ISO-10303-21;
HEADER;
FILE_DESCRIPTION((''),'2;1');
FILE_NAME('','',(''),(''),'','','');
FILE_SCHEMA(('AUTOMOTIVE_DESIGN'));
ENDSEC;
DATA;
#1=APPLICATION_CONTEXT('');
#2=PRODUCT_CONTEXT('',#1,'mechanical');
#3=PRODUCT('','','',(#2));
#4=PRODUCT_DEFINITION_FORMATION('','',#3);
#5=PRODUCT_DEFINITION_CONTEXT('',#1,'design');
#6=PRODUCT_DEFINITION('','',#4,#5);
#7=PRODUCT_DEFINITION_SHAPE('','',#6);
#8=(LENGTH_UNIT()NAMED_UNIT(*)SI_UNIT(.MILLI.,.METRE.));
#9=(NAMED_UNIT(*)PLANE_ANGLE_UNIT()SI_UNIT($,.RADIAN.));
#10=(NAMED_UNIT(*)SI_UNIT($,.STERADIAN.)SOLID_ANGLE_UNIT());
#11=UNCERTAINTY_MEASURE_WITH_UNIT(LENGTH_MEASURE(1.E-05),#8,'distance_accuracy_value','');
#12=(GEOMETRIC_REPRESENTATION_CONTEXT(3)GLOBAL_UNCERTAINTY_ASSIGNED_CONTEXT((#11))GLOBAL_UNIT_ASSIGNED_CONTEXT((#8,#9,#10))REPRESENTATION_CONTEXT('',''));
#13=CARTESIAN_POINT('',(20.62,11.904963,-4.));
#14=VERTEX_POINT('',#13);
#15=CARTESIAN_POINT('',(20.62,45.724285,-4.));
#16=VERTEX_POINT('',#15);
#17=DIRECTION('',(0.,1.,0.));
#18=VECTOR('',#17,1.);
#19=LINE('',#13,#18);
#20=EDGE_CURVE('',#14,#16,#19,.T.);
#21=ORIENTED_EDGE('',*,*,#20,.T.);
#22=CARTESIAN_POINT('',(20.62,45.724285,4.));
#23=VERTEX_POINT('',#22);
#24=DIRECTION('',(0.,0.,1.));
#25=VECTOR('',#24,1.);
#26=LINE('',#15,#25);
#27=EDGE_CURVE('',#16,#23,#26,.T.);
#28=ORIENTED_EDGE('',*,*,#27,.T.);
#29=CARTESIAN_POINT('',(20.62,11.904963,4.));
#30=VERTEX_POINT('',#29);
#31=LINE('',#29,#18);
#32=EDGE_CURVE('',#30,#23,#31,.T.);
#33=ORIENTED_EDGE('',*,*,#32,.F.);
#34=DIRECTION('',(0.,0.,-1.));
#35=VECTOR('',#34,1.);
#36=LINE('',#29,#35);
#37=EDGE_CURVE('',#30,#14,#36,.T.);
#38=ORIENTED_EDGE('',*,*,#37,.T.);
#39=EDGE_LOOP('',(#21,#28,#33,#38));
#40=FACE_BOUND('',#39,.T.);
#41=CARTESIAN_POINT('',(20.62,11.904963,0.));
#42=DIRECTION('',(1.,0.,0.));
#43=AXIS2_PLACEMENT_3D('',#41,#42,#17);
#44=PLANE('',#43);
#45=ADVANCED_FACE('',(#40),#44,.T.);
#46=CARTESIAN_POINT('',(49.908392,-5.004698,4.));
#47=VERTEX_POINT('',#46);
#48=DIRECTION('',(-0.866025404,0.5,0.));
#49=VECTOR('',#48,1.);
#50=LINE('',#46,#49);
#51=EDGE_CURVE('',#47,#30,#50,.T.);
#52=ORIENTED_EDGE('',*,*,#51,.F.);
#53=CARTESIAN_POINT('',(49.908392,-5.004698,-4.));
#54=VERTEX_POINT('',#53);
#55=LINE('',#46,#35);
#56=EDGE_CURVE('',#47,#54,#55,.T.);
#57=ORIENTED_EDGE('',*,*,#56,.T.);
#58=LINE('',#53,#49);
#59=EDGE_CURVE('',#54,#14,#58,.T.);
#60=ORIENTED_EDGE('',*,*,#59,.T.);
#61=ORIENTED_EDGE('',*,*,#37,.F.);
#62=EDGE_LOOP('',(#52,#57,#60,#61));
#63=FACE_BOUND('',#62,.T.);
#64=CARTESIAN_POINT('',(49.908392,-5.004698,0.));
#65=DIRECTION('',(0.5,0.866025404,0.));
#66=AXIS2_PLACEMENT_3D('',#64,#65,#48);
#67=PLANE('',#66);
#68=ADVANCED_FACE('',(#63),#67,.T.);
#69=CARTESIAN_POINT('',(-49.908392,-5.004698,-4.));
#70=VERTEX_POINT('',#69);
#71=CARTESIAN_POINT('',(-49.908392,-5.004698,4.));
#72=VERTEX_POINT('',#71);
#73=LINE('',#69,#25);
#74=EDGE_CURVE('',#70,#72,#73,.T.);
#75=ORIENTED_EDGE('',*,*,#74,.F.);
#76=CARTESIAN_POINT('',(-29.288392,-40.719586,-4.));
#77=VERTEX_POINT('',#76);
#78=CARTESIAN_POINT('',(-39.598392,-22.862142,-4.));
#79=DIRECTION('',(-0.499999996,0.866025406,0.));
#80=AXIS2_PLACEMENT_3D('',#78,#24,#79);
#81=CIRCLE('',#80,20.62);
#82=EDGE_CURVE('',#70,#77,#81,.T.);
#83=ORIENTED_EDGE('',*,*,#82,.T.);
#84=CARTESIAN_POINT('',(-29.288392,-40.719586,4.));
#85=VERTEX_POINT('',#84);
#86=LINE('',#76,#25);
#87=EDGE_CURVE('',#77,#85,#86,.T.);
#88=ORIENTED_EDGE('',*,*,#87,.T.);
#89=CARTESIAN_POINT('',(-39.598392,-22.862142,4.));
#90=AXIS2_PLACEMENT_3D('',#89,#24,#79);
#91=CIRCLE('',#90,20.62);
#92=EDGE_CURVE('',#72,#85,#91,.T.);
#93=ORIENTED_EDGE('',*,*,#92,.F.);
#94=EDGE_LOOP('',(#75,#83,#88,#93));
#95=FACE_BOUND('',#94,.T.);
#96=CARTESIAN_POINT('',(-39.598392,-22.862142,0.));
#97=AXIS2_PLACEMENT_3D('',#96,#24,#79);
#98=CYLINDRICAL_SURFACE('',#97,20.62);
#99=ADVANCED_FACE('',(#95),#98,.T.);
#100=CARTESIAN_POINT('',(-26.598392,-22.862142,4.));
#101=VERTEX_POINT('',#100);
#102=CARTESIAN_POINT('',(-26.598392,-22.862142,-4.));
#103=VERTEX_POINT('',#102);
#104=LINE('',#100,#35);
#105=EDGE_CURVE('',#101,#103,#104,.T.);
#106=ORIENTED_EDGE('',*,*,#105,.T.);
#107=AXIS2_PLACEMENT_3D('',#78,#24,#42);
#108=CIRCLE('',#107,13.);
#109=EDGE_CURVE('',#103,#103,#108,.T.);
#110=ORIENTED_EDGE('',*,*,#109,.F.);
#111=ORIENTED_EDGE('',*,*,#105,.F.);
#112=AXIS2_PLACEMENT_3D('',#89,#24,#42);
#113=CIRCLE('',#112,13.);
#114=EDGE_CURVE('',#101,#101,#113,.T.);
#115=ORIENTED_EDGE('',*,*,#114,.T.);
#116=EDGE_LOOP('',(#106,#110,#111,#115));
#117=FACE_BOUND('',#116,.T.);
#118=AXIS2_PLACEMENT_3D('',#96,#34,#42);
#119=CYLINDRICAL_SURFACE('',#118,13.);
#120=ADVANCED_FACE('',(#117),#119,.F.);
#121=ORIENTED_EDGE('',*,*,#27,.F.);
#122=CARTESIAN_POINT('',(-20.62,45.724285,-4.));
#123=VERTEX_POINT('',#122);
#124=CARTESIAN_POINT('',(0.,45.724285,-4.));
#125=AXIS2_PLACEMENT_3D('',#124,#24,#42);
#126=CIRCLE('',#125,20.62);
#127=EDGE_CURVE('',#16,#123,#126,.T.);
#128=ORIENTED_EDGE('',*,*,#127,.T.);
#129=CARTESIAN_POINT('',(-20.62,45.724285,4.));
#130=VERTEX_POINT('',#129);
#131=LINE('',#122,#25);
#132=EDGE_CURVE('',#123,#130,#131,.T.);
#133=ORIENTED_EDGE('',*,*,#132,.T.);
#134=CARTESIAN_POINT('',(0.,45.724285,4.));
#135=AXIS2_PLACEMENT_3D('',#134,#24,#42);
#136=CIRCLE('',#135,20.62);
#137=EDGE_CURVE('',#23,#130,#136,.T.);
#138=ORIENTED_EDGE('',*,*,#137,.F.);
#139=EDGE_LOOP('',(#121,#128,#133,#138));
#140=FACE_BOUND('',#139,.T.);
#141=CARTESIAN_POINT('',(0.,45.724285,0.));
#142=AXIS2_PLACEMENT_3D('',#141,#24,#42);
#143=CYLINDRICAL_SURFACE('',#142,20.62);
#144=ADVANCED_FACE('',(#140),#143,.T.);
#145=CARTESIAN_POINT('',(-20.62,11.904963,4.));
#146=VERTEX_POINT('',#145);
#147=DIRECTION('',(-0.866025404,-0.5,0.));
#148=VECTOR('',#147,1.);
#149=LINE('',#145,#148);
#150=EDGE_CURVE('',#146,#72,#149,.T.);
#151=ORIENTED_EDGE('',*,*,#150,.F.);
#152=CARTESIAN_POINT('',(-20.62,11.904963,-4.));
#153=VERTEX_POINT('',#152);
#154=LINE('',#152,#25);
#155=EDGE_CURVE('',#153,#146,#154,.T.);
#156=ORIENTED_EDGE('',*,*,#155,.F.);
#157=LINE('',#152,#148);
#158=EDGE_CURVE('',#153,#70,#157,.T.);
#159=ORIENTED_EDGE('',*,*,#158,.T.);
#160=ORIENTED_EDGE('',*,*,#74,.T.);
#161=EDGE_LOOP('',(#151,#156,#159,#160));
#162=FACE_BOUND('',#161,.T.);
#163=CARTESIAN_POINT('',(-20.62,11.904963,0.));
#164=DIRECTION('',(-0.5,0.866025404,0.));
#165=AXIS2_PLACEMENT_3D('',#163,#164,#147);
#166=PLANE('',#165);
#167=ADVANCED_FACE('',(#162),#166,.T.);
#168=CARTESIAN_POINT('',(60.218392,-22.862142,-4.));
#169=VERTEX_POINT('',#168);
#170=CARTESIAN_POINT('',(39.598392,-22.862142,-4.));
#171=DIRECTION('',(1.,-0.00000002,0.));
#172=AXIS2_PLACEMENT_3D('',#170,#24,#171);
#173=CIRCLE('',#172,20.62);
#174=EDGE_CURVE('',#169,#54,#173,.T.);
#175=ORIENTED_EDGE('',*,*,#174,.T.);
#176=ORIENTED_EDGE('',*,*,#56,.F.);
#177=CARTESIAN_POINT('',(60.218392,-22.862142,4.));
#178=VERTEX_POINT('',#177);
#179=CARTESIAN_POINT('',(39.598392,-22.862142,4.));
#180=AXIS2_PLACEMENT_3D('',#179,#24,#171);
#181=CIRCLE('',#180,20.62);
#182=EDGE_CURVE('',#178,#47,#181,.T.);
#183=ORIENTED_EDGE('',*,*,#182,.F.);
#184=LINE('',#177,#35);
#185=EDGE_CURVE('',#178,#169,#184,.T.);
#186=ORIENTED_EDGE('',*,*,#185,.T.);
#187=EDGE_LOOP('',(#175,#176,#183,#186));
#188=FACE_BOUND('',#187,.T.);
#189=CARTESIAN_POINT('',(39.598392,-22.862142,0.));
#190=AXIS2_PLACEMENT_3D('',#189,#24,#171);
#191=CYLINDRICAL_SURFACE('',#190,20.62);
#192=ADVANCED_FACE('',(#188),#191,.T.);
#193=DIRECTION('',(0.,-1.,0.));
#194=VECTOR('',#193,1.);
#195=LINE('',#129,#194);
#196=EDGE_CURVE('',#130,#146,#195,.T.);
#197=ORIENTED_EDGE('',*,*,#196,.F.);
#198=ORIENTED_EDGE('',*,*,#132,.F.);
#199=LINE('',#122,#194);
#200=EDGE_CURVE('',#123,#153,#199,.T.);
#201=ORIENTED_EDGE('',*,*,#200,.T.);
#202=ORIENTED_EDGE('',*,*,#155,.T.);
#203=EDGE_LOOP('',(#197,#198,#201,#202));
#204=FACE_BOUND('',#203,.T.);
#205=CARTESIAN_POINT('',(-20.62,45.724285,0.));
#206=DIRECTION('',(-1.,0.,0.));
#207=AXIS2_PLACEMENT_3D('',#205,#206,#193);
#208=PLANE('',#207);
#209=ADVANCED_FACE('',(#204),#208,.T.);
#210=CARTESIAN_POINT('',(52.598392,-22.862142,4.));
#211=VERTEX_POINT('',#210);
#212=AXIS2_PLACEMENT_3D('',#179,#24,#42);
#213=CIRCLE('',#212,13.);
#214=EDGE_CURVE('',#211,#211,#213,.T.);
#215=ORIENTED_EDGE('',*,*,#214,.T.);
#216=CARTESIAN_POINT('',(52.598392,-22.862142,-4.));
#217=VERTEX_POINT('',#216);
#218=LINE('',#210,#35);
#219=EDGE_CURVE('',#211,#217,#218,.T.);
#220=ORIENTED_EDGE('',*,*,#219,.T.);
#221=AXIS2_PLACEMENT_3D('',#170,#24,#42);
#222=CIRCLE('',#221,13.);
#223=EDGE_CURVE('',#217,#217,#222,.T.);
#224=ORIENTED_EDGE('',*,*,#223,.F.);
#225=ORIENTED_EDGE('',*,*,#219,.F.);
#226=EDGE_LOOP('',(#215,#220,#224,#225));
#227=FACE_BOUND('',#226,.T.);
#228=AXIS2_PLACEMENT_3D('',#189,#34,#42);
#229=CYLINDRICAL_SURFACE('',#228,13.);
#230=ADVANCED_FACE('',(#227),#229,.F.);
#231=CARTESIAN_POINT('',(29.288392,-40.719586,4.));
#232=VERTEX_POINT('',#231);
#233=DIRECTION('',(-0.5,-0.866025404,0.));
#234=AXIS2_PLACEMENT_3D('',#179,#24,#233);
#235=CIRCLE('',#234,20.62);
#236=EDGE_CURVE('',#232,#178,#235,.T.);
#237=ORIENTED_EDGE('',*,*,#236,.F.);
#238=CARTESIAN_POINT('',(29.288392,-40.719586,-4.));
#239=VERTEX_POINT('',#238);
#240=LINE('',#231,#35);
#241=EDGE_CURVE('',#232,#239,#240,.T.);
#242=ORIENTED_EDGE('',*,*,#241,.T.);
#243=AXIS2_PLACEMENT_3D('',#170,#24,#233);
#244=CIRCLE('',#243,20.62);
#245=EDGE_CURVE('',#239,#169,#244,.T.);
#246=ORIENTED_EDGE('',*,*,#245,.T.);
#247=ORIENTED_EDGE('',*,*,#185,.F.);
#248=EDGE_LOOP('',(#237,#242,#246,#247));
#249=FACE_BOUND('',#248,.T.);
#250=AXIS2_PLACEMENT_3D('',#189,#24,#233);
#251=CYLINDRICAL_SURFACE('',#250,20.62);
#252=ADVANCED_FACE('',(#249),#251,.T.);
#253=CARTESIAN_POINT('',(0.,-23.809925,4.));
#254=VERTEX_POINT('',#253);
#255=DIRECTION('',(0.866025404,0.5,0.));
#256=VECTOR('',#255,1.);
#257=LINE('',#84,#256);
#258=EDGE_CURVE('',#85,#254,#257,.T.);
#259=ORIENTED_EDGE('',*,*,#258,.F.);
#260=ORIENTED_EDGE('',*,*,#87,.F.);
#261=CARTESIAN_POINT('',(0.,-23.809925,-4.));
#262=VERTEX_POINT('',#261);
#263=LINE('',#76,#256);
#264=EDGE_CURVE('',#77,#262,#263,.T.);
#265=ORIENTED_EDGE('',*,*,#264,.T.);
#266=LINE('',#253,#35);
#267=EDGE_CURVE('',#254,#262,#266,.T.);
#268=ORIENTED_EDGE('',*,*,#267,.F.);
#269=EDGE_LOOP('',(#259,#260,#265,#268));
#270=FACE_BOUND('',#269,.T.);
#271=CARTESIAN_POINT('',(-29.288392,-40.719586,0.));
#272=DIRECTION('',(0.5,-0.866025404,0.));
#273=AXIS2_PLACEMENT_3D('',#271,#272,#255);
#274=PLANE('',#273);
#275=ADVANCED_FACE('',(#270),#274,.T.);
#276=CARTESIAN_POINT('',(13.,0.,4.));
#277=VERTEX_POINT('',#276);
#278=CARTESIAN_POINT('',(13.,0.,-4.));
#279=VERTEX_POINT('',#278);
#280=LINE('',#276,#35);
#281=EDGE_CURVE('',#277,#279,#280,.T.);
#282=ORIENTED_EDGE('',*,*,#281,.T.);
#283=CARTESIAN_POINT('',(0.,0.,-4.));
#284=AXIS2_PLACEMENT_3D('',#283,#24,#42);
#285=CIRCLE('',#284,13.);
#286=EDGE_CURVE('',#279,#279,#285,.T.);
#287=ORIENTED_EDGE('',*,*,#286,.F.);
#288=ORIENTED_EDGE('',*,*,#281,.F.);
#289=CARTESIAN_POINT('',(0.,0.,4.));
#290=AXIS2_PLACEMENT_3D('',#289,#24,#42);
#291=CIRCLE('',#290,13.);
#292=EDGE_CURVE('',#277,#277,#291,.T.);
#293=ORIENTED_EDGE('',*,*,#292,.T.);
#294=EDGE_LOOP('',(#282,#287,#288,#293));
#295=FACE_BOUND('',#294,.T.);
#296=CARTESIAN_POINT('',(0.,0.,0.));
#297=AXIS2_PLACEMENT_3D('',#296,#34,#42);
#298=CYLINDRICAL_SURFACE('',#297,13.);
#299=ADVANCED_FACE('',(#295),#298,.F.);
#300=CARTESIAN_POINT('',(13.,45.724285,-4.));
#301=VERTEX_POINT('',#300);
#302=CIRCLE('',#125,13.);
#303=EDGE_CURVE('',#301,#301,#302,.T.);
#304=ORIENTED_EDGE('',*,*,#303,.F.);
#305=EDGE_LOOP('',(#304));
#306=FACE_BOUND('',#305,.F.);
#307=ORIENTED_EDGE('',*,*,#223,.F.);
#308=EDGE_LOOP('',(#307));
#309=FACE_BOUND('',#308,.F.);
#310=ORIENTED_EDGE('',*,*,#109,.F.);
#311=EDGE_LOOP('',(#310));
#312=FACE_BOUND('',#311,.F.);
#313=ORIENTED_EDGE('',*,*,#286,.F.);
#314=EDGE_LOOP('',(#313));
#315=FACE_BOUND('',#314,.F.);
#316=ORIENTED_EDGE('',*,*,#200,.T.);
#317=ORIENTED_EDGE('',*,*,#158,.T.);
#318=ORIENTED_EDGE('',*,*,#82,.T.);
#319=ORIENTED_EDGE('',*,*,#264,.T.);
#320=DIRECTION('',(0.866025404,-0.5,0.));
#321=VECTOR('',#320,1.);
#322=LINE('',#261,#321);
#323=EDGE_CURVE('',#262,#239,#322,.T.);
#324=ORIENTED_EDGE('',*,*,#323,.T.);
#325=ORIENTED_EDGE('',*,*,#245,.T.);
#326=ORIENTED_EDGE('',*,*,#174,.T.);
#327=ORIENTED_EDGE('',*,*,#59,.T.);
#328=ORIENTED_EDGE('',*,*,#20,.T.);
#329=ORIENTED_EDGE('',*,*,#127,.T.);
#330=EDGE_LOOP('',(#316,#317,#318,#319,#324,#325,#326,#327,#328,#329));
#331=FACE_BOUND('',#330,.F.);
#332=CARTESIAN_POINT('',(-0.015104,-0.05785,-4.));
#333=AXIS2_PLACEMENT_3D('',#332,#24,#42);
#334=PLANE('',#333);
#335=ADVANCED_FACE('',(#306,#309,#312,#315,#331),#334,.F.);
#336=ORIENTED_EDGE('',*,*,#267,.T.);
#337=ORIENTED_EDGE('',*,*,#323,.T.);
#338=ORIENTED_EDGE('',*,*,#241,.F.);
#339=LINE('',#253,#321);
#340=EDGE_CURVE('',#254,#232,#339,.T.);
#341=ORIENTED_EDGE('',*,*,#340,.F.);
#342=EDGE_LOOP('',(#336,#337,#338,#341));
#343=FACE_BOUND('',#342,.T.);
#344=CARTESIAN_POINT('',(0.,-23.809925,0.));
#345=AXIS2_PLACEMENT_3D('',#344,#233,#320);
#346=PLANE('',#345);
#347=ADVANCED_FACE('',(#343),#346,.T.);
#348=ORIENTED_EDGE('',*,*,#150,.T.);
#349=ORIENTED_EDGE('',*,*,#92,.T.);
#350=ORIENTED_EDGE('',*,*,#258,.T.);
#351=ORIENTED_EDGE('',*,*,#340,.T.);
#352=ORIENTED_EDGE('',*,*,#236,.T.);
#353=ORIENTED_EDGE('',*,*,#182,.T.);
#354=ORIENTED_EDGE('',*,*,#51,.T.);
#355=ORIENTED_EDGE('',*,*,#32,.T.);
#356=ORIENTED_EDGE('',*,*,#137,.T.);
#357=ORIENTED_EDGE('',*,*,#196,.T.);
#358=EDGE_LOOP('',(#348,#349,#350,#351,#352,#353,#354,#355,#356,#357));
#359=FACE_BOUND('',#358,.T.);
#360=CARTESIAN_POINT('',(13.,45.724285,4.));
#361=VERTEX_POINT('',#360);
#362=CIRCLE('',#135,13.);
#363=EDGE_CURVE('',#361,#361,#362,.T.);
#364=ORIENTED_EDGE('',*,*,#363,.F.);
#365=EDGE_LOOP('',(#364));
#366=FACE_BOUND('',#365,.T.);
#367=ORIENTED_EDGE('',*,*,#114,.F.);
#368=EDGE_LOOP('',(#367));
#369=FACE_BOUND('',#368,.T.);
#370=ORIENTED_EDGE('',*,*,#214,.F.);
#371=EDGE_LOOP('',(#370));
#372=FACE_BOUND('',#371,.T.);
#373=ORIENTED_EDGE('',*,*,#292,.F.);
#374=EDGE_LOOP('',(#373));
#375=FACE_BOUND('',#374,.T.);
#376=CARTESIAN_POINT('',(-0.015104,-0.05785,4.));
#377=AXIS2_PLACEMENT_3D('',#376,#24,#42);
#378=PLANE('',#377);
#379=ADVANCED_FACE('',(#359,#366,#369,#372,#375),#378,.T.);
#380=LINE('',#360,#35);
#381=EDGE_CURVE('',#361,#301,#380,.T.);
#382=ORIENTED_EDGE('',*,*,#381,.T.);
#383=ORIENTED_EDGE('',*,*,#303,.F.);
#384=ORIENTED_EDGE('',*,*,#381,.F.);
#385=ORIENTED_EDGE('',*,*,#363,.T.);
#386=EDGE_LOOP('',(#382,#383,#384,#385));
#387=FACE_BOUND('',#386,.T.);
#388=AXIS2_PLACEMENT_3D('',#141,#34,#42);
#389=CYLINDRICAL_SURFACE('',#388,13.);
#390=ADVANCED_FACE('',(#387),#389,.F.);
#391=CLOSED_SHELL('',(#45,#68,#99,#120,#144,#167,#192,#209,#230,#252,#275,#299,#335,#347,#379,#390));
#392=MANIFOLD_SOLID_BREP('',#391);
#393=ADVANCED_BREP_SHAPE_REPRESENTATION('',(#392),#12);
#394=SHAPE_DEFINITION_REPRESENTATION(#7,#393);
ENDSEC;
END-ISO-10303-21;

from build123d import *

# Parameters (mm, degrees)
F0_R     = 20.62
F0_R_2   = 13
F1_DEPTH = 4


with BuildPart() as f1:
    # F0 (on Top) → F1 (new body, symmetric)
    with BuildSketch(Plane.XY):
        with BuildLine():
            Line((20.62, 11.904963), (20.62, 45.724285))
            ThreePointArc((20.62, 45.724285), (0, 25.104285), (-20.62, 45.724285))
            Line((-20.62, 45.724285), (-20.62, 11.904963))
            Line((-20.62, 11.904963), (-49.908392, -5.004698))
            ThreePointArc((-49.908392, -5.004698), (-29.288392, -5.004698), (-18.978392, -22.862142))
            ThreePointArc((-18.978392, -22.862142), (-21.740948, -33.172142), (-29.288392, -40.719586))
            Line((-29.288392, -40.719586), (0, -23.809925))
            Line((0, -23.809925), (29.288392, -40.719586))
            ThreePointArc((29.288392, -40.719586), (21.740948, -12.552142), (49.908392, -5.004698))
            Line((49.908392, -5.004698), (20.62, 11.904963))
        make_face()
        Circle(F0_R, mode=Mode.SUBTRACT)
        with BuildLine():
            ThreePointArc((-20.62, 45.724285), (0, 25.104285), (20.62, 45.724285))
            ThreePointArc((20.62, 45.724285), (0, 66.344285), (-20.62, 45.724285))
        make_face()
        with Locations((0, 45.724285)):
            Circle(F0_R_2, mode=Mode.SUBTRACT)
        with BuildLine():
            ThreePointArc((60.218392, -22.862142), (57.455836, -12.552142), (49.908392, -5.004698))
            ThreePointArc((49.908392, -5.004698), (21.740948, -12.552142), (29.288392, -40.719586))
            ThreePointArc((29.288392, -40.719586), (49.908392, -40.719586), (60.218392, -22.862142))
        make_face()
        with Locations((39.598392, -22.862142)):
            Circle(F0_R_2, mode=Mode.SUBTRACT)
        Circle(F0_R)
        Circle(F0_R_2, mode=Mode.SUBTRACT)
        with BuildLine():
            ThreePointArc((-18.978392, -22.862142), (-29.288392, -5.004698), (-49.908392, -5.004698))
            ThreePointArc((-49.908392, -5.004698), (-57.455836, -33.172142), (-29.288392, -40.719586))
            ThreePointArc((-29.288392, -40.719586), (-21.740948, -33.172142), (-18.978392, -22.862142))
        make_face()
        with Locations((-39.598392, -22.862142)):
            Circle(F0_R_2, mode=Mode.SUBTRACT)
    extrude(amount=F1_DEPTH, both=True)


solid = f1.part
